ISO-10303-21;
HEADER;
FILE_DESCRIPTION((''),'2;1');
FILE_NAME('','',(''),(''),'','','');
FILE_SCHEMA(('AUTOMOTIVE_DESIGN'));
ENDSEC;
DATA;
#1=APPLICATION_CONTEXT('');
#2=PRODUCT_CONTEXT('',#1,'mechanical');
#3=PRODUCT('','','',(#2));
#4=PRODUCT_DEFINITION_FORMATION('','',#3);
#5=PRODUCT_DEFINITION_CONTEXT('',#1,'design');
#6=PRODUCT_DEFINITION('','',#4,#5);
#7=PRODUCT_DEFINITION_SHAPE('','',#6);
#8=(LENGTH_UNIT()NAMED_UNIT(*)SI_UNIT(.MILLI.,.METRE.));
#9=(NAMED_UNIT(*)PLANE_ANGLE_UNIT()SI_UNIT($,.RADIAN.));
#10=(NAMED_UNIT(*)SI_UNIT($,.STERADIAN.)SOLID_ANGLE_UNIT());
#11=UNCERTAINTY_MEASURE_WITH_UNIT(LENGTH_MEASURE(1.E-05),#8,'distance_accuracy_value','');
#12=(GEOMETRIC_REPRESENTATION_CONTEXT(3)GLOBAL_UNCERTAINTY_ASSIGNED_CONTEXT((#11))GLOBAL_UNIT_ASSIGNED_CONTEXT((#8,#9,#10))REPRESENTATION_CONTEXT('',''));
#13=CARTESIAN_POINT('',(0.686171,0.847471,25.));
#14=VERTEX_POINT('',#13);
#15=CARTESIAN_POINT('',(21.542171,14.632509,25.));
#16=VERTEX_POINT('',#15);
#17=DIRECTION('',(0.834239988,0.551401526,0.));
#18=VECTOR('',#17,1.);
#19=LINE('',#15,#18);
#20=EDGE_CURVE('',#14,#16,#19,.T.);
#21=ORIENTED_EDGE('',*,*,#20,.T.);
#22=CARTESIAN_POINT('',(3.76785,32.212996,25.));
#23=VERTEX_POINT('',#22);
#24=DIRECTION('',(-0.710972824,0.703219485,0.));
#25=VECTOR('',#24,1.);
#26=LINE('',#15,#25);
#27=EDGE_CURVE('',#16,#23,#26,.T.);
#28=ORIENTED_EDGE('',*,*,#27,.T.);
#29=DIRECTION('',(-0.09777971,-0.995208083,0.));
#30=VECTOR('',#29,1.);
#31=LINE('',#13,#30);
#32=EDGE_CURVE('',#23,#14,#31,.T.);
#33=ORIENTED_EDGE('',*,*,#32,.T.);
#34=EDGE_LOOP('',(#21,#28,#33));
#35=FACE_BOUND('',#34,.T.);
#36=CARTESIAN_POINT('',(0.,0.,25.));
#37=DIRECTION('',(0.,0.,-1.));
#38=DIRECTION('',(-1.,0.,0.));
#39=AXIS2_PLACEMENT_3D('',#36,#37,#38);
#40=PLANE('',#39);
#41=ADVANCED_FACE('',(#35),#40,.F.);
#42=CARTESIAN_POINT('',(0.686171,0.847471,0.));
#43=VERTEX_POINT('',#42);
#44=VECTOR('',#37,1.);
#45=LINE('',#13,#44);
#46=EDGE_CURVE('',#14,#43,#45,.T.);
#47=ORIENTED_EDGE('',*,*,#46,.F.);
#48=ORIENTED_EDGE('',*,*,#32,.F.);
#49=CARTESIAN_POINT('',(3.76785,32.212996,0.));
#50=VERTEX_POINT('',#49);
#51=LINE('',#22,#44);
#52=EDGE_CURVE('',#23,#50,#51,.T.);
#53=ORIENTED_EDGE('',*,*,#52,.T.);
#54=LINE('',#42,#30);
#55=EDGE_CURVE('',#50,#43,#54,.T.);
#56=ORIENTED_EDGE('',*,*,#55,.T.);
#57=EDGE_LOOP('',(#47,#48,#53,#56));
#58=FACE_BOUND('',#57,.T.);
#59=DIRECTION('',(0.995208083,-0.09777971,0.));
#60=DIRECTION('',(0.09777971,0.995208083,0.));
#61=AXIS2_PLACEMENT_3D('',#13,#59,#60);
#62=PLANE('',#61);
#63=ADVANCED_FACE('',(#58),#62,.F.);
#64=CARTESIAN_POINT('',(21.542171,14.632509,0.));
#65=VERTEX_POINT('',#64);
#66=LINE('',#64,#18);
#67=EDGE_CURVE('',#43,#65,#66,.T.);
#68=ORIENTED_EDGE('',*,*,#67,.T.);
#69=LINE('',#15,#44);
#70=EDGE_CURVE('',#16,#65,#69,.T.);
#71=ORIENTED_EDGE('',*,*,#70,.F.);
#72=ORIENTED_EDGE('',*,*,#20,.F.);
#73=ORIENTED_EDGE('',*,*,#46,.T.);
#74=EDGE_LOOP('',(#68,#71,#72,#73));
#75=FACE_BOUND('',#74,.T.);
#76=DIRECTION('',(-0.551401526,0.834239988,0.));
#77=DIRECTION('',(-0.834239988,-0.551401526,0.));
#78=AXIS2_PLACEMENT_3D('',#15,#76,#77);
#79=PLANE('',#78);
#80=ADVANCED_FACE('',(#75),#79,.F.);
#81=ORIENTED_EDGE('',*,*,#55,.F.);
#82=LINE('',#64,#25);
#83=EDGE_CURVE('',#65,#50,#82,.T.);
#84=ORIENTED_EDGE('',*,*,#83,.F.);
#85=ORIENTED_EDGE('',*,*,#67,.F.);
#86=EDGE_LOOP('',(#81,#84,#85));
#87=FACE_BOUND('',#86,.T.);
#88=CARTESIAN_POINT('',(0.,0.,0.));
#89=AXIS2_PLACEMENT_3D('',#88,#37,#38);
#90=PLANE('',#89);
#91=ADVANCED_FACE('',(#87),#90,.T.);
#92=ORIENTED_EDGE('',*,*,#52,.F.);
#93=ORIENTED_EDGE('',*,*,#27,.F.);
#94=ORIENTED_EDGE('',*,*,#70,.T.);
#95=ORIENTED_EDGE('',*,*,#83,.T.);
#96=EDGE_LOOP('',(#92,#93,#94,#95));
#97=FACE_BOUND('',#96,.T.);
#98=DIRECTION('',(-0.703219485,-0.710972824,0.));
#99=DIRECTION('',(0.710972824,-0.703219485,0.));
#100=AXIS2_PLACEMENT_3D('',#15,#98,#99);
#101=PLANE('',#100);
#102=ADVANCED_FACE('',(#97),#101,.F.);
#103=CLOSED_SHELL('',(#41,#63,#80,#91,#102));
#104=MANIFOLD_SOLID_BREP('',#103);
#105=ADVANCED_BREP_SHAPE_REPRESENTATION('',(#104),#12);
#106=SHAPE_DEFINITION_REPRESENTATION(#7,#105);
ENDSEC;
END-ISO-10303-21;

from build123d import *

# Parameters (mm, degrees)
EXTRUDE_1_DEPTH = 25


with BuildPart() as part:
    # 草图2 → 凸台-拉伸1 (new body)
    with BuildSketch(Plane.XY):
        Polygon((21.542170668, 14.632509255), (3.767850077, 32.21299638), (0.686170974, 0.847471105), align=None)
    extrude(amount=EXTRUDE_1_DEPTH)


solid = part.part
